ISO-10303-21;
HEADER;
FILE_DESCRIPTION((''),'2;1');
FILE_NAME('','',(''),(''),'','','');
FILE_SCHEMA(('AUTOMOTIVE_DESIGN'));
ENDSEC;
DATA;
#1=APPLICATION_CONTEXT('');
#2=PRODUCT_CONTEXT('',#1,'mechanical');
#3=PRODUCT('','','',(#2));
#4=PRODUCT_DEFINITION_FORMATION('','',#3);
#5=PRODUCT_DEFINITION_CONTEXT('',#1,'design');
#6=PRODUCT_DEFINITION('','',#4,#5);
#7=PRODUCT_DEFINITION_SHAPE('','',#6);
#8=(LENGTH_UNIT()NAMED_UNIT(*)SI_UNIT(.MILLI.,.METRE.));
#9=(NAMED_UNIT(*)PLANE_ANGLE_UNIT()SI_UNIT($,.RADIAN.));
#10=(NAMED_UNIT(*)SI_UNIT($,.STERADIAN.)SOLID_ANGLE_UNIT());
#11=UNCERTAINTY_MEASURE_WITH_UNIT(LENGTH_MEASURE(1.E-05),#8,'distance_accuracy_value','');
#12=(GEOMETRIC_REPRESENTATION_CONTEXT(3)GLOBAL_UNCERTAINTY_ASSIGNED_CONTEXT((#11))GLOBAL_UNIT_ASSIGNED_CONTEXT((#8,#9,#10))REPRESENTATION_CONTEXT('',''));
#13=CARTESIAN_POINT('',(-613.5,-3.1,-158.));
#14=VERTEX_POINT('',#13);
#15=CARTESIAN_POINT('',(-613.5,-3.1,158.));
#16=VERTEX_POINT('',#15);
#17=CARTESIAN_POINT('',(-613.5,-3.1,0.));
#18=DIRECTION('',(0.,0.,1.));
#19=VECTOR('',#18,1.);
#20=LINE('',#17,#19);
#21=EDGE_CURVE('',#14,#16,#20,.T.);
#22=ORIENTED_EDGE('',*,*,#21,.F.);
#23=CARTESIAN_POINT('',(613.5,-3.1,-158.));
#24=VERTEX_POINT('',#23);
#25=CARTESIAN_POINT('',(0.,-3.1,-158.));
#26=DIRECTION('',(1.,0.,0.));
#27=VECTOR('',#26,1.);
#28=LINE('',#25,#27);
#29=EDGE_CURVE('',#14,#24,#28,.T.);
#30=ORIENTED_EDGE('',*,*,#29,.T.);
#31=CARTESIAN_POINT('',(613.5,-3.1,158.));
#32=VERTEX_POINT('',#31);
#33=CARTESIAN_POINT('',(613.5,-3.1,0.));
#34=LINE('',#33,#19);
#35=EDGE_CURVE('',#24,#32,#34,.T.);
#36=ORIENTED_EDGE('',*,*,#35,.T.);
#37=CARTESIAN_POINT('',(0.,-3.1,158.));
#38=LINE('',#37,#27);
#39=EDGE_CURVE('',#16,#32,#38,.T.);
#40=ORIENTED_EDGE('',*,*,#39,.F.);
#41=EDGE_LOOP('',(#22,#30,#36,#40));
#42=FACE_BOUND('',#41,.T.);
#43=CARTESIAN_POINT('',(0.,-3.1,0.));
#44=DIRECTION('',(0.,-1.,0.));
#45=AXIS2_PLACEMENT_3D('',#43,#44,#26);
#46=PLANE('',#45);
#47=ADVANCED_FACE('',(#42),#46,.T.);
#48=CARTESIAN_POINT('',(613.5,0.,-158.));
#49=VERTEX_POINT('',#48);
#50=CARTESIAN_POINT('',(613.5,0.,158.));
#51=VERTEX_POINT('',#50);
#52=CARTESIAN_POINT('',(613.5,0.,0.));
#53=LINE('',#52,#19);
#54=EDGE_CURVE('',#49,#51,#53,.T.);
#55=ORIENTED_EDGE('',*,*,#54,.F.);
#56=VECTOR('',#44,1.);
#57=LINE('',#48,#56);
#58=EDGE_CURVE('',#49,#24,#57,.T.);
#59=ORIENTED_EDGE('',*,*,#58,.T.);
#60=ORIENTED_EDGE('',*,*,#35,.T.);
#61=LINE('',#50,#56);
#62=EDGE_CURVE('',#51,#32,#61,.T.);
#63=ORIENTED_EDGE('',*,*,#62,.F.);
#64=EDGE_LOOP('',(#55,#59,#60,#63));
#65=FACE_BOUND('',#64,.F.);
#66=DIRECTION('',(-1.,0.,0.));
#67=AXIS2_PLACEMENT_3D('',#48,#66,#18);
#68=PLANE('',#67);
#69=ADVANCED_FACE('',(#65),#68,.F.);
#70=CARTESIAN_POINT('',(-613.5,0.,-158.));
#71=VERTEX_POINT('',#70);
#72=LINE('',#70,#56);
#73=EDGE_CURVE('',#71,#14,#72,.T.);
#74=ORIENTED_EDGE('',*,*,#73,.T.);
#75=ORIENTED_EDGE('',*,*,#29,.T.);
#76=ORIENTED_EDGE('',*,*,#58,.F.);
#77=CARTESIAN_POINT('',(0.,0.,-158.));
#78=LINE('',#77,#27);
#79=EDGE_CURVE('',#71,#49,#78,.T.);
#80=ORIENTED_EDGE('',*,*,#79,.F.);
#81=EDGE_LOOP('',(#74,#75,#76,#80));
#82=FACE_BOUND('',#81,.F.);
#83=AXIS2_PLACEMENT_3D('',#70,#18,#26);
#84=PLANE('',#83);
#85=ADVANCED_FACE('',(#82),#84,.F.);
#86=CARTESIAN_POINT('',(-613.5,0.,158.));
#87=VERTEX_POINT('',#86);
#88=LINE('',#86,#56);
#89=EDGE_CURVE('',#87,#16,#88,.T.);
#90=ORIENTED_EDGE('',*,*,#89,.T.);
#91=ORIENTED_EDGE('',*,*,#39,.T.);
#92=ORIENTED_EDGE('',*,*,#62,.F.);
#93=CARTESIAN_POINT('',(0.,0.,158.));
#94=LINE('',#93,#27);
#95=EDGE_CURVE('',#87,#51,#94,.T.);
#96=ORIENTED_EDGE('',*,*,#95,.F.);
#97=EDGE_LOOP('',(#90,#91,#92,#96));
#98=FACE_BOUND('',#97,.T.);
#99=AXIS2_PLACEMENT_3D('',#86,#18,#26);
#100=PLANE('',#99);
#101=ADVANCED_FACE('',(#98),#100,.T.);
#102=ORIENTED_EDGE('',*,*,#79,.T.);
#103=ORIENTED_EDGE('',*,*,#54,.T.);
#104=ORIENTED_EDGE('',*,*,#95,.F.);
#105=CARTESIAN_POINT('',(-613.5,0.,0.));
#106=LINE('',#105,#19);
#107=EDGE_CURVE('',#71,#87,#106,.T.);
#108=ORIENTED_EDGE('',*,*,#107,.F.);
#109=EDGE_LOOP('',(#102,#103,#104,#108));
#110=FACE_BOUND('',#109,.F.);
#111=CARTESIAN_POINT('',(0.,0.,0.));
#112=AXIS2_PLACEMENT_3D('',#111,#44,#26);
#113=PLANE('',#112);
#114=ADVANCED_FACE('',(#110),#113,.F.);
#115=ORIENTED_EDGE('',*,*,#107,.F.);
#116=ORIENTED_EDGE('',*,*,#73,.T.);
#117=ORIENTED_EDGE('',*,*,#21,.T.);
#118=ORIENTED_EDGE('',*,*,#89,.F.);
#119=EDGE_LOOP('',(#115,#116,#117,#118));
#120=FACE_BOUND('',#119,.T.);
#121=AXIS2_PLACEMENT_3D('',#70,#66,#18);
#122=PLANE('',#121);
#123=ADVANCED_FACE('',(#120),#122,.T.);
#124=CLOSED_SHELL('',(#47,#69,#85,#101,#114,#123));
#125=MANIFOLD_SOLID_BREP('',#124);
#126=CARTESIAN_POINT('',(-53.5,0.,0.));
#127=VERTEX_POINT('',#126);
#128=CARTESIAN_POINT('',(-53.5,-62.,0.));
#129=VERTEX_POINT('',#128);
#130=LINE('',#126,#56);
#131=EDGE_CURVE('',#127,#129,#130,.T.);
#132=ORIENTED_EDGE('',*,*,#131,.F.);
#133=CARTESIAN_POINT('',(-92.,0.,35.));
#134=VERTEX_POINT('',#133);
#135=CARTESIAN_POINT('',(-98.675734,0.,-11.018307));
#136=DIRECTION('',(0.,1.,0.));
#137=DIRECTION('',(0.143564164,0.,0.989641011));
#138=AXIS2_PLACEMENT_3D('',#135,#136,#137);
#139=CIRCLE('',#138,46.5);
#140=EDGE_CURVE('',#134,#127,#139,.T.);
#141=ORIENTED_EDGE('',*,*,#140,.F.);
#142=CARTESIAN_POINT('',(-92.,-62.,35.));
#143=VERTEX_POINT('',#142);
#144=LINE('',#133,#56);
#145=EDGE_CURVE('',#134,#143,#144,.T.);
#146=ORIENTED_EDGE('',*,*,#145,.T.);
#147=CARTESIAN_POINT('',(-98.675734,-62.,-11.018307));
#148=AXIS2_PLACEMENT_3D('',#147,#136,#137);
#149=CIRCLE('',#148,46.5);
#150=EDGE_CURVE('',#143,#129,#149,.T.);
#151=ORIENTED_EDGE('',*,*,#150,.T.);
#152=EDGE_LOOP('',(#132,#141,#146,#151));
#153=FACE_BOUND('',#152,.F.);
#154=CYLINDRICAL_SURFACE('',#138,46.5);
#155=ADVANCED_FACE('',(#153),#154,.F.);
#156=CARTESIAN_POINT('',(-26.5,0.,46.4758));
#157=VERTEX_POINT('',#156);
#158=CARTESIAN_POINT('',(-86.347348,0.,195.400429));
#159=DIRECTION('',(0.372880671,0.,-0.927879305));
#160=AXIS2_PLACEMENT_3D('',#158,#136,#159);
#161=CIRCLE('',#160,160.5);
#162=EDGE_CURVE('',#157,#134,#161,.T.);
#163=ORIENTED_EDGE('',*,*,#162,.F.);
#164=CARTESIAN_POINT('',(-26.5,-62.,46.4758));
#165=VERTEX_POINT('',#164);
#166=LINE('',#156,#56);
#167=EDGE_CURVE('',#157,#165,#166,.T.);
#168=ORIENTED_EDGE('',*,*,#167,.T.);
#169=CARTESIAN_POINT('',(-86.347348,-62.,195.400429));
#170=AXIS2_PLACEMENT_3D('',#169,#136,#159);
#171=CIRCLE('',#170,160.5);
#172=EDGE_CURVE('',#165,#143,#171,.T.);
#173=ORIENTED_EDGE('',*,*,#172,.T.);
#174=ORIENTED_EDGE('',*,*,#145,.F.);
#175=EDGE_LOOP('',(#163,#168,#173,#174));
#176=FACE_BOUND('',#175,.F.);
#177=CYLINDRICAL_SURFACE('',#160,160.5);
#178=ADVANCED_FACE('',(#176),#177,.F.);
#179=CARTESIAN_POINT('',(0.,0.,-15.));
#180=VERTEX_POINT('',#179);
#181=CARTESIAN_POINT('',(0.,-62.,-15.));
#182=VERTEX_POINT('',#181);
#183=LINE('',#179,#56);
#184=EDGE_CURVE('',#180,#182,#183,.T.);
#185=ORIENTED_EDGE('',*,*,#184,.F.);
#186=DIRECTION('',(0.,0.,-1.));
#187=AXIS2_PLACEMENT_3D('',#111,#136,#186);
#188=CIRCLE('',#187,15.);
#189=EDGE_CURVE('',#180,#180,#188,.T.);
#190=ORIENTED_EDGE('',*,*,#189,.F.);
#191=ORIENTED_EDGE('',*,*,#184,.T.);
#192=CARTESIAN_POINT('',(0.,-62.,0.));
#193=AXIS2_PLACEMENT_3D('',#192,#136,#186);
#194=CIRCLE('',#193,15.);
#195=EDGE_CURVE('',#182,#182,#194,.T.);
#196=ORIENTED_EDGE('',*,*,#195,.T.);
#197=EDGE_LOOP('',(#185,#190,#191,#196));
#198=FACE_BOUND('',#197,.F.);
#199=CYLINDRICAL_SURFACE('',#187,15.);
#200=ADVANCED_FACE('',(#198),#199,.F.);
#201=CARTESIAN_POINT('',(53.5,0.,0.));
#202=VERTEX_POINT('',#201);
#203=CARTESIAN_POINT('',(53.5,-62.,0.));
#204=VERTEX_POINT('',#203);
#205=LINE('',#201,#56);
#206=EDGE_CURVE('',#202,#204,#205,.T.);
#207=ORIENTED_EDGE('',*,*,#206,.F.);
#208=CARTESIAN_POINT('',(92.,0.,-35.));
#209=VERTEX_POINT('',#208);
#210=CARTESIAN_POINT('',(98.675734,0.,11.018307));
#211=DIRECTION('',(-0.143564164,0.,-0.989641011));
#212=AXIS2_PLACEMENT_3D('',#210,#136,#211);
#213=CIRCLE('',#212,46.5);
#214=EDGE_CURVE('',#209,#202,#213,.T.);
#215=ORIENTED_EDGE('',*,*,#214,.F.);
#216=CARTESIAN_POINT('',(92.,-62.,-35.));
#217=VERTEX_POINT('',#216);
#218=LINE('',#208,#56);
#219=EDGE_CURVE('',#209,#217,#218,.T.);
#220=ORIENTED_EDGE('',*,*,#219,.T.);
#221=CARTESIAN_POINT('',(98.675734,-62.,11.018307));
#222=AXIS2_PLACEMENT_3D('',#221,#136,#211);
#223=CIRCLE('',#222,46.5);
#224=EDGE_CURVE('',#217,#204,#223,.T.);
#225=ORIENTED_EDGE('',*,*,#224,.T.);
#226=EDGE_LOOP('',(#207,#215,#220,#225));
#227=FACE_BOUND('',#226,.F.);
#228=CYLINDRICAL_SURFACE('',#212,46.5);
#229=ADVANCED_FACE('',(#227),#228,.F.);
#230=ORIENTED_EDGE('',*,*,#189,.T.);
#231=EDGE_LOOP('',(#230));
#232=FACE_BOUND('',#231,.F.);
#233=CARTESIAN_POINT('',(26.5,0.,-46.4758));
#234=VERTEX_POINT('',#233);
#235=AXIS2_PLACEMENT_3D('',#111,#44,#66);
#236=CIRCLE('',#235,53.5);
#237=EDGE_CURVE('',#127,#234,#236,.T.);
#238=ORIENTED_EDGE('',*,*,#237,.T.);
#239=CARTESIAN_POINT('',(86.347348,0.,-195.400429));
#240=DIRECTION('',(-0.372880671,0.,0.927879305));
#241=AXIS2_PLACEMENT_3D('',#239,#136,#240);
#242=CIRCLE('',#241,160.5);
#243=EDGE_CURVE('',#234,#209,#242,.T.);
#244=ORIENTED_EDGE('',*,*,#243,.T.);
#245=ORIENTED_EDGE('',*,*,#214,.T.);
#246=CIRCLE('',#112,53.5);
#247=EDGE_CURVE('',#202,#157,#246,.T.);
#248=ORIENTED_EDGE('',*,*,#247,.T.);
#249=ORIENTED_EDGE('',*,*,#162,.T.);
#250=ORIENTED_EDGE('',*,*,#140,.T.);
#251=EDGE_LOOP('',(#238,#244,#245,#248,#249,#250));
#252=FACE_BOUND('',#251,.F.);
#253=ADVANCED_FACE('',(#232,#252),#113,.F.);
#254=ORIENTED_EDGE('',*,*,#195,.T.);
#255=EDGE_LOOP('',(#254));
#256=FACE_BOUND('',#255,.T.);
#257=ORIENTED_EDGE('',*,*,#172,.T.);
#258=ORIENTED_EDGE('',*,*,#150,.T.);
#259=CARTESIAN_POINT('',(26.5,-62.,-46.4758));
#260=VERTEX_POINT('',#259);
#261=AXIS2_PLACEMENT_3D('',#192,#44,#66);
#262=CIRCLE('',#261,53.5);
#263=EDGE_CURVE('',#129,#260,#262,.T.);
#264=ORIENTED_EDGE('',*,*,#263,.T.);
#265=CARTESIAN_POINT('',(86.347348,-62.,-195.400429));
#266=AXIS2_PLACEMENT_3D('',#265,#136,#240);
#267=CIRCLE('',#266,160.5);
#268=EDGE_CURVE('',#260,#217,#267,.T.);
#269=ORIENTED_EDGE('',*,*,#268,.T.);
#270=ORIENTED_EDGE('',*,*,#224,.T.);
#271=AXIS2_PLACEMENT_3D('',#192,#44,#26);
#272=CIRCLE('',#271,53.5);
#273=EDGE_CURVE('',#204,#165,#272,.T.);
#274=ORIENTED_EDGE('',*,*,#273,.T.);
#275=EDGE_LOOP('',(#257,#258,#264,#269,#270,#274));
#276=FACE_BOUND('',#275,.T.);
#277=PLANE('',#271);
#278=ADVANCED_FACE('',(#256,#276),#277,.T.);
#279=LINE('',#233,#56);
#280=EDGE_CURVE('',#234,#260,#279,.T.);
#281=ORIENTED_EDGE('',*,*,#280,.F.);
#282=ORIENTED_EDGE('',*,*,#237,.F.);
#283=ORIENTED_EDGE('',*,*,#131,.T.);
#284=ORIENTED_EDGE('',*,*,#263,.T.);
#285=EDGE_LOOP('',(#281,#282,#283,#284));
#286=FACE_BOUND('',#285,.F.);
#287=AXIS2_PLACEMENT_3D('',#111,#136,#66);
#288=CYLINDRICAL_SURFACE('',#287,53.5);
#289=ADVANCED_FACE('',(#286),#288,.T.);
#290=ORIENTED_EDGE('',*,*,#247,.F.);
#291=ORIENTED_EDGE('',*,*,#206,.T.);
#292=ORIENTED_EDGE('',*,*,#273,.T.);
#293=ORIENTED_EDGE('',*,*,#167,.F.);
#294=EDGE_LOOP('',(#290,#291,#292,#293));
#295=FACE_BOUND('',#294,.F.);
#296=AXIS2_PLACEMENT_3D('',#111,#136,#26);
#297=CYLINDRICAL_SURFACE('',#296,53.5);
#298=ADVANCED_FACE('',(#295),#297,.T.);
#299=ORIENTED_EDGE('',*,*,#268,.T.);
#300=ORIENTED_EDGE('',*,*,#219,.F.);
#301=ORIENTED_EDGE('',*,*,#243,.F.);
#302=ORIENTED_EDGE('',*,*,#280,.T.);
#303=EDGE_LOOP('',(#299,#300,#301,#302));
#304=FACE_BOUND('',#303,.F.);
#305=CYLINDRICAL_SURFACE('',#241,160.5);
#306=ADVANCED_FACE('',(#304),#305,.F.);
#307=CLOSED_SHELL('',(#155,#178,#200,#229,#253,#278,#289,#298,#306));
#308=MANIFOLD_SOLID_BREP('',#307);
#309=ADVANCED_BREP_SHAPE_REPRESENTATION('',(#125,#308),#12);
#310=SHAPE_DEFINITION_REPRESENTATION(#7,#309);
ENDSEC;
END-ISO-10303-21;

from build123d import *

# Parameters (mm, degrees)
F3_DEPTH = 62
F1_W     = 1227
F1_H     = 316
F4_DEPTH = 3.1


with BuildPart() as f3:
    # F0 (on Front) → F3 (new body, through all)
    with BuildSketch(Plane.XZ):
        with BuildLine():
            ThreePointArc((-92, 35), (-67.3964487266, 23.3889064007), (-53.5, 0))
            ThreePointArc((-53.5, 0), (-26.8747093008, -46.2601340249), (26.5, -46.4758001545))
            ThreePointArc((26.5, -46.4758001545), (58.6491573303, -37.3084925992), (92, -35))
            ThreePointArc((92, -35), (67.3964487266, -23.3889064007), (53.5, 0))
            ThreePointArc((53.5, 0), (26.8747093008, 46.2601340249), (-26.5, 46.4758001545))
            ThreePointArc((-26.5, 46.4758001545), (-58.6491573303, 37.3084925992), (-92, 35))
        make_face()
        with BuildLine():
            ThreePointArc((0, 46), (46, 0), (0, -46))
            ThreePointArc((0, -46), (-46, 0), (0, 46))
        make_face(mode=Mode.SUBTRACT)
        with BuildLine():
            ThreePointArc((0, 46), (-46, 0), (0, -46))
            ThreePointArc((0, -46), (46, 0), (0, 46))
        make_face()
        with BuildLine():
            ThreePointArc((0, 15), (15, 0), (0, -15))
            ThreePointArc((0, -15), (-15, 0), (0, 15))
        make_face(mode=Mode.SUBTRACT)
    extrude(amount=F3_DEPTH)


with BuildPart() as f4:
    # F1 (on Front) → F4 (new body)
    with BuildSketch(Plane.XZ):
        Rectangle(F1_W, F1_H)
    extrude(amount=F4_DEPTH)


solid = Compound([f3.part, f4.part])
